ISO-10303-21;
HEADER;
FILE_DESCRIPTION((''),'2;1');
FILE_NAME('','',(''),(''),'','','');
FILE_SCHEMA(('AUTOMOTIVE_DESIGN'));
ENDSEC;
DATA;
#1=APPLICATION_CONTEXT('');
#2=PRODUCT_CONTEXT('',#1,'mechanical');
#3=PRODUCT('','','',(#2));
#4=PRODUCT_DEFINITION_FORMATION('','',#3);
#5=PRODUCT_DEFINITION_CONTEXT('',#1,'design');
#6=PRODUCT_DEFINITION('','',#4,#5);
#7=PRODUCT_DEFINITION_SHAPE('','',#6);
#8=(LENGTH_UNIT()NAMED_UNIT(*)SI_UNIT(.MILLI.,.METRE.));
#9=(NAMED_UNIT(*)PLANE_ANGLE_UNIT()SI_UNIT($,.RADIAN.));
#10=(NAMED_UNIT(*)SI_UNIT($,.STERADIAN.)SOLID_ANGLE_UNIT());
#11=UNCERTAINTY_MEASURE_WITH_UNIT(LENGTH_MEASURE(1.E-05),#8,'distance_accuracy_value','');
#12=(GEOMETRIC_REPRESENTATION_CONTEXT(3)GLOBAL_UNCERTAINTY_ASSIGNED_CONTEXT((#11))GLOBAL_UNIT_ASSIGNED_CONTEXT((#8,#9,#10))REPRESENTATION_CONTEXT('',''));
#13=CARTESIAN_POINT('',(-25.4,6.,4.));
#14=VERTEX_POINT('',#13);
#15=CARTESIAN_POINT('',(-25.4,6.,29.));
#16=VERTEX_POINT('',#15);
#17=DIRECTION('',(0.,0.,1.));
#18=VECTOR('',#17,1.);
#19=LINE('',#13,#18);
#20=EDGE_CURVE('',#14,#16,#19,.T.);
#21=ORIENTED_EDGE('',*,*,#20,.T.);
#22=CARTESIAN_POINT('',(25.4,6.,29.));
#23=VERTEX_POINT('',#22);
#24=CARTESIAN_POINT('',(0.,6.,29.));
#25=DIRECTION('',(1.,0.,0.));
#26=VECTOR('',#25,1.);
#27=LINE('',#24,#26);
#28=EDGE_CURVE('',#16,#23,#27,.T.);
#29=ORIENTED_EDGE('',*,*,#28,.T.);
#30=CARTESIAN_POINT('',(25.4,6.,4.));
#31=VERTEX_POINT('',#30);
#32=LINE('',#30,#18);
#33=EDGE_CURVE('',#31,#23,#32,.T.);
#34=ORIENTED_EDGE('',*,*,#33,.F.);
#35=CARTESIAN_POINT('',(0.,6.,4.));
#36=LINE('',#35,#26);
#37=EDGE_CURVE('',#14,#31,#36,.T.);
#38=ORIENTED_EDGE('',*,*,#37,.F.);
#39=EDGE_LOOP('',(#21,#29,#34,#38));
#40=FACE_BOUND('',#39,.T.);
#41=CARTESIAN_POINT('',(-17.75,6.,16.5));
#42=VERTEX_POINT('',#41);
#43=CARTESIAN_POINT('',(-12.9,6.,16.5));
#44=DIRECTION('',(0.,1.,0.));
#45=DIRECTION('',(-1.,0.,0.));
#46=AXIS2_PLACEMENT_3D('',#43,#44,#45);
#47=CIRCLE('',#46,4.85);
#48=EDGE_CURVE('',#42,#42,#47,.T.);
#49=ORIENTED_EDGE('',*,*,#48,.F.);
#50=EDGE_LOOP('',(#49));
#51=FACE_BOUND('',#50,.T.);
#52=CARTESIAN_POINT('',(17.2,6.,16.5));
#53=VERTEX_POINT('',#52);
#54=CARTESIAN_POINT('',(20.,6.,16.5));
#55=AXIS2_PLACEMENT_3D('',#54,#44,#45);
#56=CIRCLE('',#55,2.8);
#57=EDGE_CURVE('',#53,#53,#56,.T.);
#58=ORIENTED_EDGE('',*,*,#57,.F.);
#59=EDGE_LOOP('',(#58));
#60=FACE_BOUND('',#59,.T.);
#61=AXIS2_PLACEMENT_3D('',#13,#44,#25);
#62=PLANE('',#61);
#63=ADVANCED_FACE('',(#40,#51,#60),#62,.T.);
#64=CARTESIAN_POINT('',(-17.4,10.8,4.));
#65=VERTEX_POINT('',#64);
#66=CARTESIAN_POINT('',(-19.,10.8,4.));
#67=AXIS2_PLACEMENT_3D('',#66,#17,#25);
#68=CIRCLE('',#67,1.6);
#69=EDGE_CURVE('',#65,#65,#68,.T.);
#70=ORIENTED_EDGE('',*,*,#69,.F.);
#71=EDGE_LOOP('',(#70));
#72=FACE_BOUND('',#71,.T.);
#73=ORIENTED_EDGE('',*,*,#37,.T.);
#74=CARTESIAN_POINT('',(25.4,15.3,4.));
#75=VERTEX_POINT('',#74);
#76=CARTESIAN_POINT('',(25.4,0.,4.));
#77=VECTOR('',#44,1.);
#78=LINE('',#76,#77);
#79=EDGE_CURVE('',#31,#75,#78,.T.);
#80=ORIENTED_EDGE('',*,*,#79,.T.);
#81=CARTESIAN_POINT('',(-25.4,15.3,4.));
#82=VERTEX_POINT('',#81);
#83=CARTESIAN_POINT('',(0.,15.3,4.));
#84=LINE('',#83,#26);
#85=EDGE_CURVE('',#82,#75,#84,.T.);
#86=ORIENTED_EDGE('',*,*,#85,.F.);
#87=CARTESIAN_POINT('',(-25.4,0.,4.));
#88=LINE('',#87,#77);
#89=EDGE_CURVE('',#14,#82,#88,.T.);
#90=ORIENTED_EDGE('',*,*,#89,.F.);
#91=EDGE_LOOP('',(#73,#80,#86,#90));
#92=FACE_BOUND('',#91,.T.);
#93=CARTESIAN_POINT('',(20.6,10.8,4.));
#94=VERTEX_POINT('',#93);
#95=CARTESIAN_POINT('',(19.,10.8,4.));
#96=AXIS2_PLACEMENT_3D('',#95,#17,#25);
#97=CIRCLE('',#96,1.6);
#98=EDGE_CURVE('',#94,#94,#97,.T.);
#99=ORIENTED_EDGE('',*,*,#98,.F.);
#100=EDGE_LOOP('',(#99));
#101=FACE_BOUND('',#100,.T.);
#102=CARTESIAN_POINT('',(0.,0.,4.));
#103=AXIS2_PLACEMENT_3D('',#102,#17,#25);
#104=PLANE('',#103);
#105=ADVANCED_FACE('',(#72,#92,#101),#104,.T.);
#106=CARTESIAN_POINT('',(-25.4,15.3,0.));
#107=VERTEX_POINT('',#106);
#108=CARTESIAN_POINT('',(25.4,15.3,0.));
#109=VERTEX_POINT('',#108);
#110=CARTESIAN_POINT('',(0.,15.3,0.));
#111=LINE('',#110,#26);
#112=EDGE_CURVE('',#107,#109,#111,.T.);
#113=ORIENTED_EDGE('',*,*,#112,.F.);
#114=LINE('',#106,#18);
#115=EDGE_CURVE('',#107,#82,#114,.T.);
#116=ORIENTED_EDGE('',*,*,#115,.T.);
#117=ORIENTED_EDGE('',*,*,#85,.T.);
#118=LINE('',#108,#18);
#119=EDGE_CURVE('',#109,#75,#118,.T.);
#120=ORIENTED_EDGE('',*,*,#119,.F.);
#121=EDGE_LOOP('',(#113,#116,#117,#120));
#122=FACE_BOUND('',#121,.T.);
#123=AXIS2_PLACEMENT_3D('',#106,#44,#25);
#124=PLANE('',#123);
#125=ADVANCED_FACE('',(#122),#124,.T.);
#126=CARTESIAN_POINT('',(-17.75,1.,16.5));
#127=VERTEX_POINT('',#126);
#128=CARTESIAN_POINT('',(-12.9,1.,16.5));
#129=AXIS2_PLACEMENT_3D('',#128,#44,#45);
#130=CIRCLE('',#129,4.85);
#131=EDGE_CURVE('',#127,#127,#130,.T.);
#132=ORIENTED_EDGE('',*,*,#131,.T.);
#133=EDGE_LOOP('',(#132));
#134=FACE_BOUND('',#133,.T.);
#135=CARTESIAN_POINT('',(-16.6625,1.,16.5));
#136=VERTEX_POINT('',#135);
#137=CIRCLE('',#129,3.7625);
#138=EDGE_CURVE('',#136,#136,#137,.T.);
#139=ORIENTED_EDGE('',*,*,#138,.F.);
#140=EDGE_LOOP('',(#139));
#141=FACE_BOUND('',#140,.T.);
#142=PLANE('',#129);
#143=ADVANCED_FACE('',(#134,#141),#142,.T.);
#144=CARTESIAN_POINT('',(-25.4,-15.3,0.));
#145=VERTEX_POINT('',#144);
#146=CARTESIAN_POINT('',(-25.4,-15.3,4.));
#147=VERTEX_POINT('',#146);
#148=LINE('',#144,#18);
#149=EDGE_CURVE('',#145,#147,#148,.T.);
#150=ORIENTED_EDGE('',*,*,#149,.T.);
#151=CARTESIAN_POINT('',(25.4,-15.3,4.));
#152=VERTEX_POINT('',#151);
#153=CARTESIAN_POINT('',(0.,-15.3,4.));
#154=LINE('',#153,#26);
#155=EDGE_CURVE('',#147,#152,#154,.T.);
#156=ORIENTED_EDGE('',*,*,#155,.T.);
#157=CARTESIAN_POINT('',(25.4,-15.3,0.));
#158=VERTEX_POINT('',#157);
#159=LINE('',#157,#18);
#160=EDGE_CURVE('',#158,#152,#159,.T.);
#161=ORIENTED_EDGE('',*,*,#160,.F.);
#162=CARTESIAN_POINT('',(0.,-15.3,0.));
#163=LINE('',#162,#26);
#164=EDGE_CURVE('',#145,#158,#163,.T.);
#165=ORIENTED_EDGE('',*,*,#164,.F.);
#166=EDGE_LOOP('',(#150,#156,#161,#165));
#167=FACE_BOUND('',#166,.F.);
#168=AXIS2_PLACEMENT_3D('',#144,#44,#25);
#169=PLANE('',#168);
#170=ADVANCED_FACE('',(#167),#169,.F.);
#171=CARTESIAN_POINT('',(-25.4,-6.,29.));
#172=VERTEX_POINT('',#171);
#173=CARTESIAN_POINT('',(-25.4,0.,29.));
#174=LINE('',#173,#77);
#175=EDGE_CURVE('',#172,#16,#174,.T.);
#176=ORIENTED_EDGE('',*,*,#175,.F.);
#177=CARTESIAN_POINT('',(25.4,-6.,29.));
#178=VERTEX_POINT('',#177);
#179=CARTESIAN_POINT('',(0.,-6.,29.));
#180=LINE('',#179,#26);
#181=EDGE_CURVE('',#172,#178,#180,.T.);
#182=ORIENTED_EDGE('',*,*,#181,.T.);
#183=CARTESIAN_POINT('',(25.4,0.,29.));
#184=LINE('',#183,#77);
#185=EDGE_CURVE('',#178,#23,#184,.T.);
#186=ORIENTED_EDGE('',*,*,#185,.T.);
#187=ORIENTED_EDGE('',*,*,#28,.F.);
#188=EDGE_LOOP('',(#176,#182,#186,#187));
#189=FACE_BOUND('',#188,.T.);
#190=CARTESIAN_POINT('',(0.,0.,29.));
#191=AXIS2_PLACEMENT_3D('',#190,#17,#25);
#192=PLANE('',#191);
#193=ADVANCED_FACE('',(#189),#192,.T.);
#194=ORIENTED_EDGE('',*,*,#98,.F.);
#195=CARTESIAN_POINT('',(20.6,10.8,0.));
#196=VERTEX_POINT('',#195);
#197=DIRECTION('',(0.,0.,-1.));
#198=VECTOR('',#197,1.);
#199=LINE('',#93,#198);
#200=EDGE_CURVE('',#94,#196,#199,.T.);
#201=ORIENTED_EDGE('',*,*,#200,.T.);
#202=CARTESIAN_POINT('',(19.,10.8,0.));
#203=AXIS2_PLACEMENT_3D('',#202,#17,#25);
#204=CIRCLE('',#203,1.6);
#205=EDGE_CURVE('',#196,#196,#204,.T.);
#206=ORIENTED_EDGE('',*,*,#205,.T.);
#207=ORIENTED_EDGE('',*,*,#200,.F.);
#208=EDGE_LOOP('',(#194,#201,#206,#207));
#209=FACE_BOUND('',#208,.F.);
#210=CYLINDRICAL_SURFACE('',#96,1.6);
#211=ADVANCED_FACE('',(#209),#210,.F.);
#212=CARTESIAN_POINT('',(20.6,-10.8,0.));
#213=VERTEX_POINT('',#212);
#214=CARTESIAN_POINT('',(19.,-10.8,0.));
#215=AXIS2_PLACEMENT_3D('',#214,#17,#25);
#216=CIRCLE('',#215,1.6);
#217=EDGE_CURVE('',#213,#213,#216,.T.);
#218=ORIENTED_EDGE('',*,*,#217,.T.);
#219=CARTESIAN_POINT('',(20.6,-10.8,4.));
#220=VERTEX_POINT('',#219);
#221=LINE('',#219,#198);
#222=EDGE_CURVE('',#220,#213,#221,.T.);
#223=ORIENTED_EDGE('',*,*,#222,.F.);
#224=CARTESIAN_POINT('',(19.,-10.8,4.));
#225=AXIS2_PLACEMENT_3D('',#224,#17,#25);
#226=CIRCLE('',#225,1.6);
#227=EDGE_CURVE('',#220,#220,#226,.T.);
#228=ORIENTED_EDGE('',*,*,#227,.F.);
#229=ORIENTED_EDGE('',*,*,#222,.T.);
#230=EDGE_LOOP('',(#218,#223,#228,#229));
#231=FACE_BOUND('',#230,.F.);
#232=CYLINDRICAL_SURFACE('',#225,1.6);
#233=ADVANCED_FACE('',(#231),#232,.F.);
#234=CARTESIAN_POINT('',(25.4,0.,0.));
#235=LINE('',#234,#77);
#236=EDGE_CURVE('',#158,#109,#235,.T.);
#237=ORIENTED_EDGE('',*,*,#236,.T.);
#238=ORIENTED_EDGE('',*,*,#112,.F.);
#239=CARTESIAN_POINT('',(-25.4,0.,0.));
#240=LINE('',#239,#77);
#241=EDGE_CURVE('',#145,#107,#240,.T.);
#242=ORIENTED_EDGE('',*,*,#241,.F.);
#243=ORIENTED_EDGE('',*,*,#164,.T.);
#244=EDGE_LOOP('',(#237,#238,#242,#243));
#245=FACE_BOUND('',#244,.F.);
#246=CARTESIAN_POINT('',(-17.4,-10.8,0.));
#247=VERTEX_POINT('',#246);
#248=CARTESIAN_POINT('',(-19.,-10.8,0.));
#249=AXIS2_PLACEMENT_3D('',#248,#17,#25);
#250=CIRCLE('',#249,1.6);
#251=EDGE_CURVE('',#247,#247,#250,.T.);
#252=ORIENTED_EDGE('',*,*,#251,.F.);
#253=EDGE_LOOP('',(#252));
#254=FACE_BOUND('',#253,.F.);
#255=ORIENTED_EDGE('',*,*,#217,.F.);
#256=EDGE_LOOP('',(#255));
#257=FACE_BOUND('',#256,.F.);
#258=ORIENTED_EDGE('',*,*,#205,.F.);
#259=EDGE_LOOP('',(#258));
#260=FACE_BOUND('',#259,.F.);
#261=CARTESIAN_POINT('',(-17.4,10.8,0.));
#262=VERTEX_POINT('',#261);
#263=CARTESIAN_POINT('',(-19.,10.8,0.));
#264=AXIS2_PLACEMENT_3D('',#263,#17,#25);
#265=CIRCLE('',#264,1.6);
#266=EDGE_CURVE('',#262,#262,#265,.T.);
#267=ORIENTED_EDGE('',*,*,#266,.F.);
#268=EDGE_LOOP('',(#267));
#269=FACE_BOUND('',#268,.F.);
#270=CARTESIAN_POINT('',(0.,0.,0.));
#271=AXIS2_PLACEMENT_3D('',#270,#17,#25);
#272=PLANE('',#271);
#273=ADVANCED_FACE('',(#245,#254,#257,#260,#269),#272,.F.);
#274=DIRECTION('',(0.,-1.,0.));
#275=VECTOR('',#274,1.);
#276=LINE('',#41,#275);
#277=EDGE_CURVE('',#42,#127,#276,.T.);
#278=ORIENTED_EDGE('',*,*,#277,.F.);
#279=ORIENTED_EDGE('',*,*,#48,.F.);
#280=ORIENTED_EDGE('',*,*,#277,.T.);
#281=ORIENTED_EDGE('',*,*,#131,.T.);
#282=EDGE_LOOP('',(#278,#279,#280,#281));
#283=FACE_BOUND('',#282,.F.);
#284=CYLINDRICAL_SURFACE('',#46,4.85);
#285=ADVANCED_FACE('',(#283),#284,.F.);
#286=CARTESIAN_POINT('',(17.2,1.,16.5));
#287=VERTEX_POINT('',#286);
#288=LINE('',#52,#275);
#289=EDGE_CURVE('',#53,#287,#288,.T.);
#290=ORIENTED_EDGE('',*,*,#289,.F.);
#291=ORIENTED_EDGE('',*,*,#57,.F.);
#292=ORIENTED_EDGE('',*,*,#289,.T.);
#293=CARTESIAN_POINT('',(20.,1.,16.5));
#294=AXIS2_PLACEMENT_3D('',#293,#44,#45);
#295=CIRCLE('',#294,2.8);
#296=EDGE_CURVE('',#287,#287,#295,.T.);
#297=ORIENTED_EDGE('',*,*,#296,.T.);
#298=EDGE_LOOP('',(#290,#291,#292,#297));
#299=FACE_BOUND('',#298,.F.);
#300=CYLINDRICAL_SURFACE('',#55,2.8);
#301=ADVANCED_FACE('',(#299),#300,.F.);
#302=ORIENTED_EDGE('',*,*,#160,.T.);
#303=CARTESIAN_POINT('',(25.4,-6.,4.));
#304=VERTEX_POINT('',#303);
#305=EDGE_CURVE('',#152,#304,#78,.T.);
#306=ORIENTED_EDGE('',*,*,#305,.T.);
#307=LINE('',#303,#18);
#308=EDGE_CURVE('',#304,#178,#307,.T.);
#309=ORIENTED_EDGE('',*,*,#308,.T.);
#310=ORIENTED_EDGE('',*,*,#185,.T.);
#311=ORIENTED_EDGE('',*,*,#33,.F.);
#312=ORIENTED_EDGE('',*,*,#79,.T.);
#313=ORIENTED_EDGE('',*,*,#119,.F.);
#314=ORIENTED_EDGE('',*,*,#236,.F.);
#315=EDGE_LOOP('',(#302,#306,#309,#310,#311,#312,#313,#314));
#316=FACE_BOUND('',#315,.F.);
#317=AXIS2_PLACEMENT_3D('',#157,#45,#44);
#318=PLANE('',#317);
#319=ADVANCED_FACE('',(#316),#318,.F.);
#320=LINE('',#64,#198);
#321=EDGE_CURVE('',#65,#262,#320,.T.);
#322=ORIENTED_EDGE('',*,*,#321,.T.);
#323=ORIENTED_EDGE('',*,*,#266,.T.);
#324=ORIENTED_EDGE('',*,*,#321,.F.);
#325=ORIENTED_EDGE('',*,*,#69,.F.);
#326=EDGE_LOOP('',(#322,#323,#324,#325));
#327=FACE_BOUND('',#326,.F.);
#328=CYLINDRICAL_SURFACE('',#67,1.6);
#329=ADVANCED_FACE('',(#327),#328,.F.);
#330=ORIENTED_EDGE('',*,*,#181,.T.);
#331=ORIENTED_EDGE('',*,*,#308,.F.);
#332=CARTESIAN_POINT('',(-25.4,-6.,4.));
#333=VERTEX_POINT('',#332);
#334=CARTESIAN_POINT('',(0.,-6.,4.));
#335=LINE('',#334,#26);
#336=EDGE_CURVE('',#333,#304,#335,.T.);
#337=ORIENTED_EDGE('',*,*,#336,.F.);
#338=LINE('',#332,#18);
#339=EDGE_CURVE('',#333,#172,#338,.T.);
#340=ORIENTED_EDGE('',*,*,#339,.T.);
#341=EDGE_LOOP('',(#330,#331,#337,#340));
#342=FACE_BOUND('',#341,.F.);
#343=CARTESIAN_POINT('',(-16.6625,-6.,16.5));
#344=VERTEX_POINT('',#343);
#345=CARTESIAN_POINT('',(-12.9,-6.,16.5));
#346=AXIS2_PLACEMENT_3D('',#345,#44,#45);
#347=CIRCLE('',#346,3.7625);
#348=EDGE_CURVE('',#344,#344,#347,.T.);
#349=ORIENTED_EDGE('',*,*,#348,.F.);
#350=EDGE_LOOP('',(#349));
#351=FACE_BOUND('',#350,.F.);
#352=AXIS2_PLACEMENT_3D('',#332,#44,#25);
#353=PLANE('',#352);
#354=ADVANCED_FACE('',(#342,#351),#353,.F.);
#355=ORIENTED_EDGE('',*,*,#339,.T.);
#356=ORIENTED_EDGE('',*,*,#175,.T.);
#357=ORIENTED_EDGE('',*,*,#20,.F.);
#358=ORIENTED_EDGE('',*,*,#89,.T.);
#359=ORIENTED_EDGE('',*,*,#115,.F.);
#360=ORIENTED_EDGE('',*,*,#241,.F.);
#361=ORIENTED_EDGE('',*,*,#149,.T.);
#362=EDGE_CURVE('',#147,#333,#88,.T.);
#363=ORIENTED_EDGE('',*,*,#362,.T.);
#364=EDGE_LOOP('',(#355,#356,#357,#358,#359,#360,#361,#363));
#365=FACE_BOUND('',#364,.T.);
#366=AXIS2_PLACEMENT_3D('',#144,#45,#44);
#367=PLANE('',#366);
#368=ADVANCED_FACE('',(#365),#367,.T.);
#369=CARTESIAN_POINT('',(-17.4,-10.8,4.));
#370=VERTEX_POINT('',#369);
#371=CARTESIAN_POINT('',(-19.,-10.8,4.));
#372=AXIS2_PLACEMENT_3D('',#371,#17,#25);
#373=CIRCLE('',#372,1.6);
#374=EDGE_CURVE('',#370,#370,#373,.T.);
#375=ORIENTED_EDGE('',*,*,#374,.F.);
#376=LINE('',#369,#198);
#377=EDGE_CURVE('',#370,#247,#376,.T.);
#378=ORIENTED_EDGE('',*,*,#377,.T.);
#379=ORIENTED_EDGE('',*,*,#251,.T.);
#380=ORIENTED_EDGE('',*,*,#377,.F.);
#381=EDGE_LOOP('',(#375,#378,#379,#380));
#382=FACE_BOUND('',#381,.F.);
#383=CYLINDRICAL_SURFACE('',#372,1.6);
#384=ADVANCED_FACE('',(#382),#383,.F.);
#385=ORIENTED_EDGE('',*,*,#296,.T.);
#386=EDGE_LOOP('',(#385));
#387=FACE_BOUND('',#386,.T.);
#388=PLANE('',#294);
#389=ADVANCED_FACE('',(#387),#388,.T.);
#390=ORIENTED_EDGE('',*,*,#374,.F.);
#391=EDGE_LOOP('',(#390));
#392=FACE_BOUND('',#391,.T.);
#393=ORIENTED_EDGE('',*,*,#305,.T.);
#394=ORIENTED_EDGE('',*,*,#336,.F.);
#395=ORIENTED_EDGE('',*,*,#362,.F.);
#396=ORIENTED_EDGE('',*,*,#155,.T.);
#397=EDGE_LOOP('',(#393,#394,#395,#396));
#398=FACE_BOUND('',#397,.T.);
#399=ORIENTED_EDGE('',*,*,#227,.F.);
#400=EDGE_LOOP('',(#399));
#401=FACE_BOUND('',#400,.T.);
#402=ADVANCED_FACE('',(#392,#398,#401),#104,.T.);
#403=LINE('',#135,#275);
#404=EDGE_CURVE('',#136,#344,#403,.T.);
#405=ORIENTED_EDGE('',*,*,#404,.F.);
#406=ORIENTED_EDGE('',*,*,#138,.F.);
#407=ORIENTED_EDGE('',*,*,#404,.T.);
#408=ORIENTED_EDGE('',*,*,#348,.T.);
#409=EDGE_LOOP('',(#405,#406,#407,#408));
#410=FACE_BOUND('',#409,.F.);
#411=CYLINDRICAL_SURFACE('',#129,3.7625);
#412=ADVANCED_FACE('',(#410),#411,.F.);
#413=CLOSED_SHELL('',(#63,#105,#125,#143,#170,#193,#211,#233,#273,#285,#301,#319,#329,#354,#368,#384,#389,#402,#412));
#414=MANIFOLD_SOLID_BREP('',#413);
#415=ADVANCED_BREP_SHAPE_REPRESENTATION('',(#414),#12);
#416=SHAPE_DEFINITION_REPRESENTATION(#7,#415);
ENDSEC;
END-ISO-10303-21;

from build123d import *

# Parameters (mm, degrees)
SKETCH067_W     = 50.8
SKETCH067_H     = 30.6
PAD014_DEPTH    = 4
SKETCH068_R     = 1.6
POCKET061_DEPTH = 4.001
SKETCH069_W     = 50.8
SKETCH069_H     = 12
PAD015_DEPTH    = 25
SKETCH070_R     = 4.85
POCKET062_DEPTH = 5
SKETCH071_R     = 3.7625
POCKET063_DEPTH = 16.301
SKETCH072_R     = 2.8
POCKET064_DEPTH = 5


with BuildPart() as part:
    # Sketch067 → Pad014 (new body)
    with BuildSketch(Plane.XY):
        Rectangle(SKETCH067_W, SKETCH067_H)
    extrude(amount=PAD014_DEPTH)

    # Sketch068 (on Face6 of Pad014) → Pocket061 (cut, through all)
    with BuildSketch(Plane.XY.offset(4)):
        with Locations((19, 10.8)):
            Circle(SKETCH068_R)
        with Locations((19, -10.8)):
            Circle(SKETCH068_R)
        with Locations((-19, -10.8)):
            Circle(SKETCH068_R)
        with Locations((-19, 10.8)):
            Circle(SKETCH068_R)
    extrude(amount=-POCKET061_DEPTH, mode=Mode.SUBTRACT)

    # Sketch069 (on Face5 of Pocket061) → Pad015 (join)
    with BuildSketch(Plane.XY.offset(4)):
        Rectangle(SKETCH069_W, SKETCH069_H)
    extrude(amount=PAD015_DEPTH)

    # Sketch070 (on Face13 of Pad015) → Pocket062 (cut)
    with BuildSketch(Plane(origin=(0, 6, 0), x_dir=(-1, 0, 0), z_dir=(0, 1, 0))):
        with Locations((12.9, 16.5)):
            Circle(SKETCH070_R)
    extrude(amount=-POCKET062_DEPTH, mode=Mode.SUBTRACT)

    # Sketch071 (on Face18 of Pocket062) → Pocket063 (cut, through all)
    with BuildSketch(Plane(origin=(0, 1, 0), x_dir=(-1, 0, 0), z_dir=(0, 1, 0))):
        with Locations((12.9, 16.5)):
            Circle(SKETCH071_R)
    extrude(amount=-POCKET063_DEPTH, mode=Mode.SUBTRACT)

    # Sketch072 → Pocket064 (cut)
    with BuildSketch(Plane(origin=(0, 6, 0), x_dir=(-1, 0, 0), z_dir=(0, 1, 0))):
        with Locations((-20, 16.5)):
            Circle(SKETCH072_R)
    extrude(amount=-POCKET064_DEPTH, mode=Mode.SUBTRACT)


solid = part.part
